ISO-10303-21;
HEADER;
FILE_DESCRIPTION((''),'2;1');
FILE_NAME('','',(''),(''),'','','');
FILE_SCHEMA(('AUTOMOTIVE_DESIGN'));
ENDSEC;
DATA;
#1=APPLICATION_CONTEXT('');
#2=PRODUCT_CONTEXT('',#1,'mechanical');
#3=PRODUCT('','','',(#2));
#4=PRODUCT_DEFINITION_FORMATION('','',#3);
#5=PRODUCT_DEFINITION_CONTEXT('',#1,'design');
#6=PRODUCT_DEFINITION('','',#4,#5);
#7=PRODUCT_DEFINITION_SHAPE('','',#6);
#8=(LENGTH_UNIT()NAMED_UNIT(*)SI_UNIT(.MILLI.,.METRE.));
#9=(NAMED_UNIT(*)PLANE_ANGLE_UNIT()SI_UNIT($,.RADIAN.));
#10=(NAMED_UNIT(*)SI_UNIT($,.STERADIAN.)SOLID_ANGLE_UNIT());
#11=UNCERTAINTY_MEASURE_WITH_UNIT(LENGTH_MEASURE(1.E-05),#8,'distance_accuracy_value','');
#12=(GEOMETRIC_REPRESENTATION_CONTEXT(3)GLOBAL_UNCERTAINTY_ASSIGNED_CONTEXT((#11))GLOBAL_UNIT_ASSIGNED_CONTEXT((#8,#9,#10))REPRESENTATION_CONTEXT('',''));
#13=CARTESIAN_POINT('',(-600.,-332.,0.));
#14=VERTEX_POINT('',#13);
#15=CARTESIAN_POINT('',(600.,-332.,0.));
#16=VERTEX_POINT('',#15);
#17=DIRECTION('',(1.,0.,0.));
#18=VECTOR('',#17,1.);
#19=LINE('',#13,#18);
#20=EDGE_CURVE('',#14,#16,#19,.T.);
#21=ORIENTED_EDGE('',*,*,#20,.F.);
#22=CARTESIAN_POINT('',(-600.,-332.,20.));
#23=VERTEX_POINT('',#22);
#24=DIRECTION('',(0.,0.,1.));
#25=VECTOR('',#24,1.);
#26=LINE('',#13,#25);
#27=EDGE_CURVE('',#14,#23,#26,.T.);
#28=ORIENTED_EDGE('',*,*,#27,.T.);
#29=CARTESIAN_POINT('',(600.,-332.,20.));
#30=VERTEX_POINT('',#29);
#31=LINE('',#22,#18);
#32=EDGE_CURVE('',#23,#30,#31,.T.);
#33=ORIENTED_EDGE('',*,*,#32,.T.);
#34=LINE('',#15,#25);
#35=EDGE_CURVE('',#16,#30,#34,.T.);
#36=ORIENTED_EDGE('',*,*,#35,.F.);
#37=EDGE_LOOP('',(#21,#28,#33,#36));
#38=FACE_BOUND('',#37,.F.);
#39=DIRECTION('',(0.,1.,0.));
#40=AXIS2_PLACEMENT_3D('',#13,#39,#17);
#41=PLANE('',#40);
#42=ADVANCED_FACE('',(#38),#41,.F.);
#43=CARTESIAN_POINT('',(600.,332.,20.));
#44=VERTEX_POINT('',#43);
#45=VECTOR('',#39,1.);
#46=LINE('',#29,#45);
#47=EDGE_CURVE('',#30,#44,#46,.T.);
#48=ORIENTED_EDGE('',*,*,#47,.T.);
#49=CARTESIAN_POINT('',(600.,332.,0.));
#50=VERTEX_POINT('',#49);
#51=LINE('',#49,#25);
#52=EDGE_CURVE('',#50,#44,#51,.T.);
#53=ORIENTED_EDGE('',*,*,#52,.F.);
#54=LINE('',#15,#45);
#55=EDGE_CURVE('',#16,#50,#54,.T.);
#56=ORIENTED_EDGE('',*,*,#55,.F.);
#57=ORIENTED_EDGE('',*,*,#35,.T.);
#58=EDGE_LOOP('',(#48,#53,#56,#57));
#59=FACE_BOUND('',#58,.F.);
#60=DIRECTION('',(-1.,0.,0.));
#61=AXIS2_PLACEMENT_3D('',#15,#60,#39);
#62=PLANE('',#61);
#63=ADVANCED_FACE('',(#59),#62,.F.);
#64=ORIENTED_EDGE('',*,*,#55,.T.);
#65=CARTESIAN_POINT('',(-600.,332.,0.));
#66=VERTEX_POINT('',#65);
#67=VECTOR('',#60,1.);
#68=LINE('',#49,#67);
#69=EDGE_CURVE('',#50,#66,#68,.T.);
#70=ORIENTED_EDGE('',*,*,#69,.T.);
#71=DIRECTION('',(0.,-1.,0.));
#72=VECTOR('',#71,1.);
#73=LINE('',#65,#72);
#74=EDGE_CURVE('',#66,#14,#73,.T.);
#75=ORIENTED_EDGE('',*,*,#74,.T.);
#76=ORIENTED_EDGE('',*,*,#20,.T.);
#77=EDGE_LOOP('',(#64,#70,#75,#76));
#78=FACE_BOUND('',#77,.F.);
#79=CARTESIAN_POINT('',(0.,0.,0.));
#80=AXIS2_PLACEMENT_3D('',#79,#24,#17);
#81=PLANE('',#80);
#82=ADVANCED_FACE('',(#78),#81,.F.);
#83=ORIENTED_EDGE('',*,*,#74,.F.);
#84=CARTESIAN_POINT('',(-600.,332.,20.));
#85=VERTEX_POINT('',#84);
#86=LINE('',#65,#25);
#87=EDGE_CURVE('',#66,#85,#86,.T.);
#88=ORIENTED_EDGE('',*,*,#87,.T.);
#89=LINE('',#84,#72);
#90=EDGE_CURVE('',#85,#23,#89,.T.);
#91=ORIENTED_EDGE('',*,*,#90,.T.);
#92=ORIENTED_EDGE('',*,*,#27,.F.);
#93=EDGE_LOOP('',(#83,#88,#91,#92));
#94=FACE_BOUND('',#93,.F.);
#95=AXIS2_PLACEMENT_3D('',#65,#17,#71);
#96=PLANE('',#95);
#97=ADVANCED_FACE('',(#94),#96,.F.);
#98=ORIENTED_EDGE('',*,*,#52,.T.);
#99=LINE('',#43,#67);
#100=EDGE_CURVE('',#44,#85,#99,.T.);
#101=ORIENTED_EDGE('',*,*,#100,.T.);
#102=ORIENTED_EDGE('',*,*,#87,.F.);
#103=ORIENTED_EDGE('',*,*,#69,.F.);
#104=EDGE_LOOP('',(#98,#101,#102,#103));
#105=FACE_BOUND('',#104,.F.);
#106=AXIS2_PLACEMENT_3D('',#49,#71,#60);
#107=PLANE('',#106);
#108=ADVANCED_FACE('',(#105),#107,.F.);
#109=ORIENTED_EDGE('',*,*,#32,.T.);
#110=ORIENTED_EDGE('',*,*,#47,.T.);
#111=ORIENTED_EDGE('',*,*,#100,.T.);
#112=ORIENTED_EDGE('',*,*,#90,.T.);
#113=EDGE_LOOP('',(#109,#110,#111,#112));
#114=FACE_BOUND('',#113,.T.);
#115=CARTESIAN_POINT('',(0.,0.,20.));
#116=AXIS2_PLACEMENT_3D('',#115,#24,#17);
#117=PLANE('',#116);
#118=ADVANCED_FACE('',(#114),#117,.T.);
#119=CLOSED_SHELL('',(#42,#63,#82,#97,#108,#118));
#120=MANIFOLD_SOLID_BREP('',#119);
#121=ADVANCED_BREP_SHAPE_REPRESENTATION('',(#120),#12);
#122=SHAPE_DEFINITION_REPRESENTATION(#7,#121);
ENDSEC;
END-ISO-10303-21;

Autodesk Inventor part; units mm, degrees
ref_plane "YZ Plane" through (0, 0, 0) normal (1, 0, 0) x (0, 1, 0)
ref_plane "XZ Plane" through (0, 0, 0) normal (0, 1, 0) x (-1, 0, 0)
ref_plane "XY Plane" through (0, 0, 0) normal (0, 0, 1) x (1, 0, 0)
sketch "Sketch1" plane through (0, 0, 0) normal (0, 0, 1) x (1, 0, 0)
  line L0 (-600, -332) -> (600, -332)
  line L1 (600, -332) -> (600, 332)
  line L2 (600, 332) -> (-600, 332)
  line L3 (-600, 332) -> (-600, -332)
  line L4 (-600, -332) -> (600, 332) construction
  line L5 (600, -332) -> (-600, 332) construction
  point P0 (0, 0)
  dimension "d0" = 1200
  dimension "d1" = 664
extrude "Extrusion1" add sketch "Sketch1" along normal blind 20
properties part number "Rampe" material "Birch"
